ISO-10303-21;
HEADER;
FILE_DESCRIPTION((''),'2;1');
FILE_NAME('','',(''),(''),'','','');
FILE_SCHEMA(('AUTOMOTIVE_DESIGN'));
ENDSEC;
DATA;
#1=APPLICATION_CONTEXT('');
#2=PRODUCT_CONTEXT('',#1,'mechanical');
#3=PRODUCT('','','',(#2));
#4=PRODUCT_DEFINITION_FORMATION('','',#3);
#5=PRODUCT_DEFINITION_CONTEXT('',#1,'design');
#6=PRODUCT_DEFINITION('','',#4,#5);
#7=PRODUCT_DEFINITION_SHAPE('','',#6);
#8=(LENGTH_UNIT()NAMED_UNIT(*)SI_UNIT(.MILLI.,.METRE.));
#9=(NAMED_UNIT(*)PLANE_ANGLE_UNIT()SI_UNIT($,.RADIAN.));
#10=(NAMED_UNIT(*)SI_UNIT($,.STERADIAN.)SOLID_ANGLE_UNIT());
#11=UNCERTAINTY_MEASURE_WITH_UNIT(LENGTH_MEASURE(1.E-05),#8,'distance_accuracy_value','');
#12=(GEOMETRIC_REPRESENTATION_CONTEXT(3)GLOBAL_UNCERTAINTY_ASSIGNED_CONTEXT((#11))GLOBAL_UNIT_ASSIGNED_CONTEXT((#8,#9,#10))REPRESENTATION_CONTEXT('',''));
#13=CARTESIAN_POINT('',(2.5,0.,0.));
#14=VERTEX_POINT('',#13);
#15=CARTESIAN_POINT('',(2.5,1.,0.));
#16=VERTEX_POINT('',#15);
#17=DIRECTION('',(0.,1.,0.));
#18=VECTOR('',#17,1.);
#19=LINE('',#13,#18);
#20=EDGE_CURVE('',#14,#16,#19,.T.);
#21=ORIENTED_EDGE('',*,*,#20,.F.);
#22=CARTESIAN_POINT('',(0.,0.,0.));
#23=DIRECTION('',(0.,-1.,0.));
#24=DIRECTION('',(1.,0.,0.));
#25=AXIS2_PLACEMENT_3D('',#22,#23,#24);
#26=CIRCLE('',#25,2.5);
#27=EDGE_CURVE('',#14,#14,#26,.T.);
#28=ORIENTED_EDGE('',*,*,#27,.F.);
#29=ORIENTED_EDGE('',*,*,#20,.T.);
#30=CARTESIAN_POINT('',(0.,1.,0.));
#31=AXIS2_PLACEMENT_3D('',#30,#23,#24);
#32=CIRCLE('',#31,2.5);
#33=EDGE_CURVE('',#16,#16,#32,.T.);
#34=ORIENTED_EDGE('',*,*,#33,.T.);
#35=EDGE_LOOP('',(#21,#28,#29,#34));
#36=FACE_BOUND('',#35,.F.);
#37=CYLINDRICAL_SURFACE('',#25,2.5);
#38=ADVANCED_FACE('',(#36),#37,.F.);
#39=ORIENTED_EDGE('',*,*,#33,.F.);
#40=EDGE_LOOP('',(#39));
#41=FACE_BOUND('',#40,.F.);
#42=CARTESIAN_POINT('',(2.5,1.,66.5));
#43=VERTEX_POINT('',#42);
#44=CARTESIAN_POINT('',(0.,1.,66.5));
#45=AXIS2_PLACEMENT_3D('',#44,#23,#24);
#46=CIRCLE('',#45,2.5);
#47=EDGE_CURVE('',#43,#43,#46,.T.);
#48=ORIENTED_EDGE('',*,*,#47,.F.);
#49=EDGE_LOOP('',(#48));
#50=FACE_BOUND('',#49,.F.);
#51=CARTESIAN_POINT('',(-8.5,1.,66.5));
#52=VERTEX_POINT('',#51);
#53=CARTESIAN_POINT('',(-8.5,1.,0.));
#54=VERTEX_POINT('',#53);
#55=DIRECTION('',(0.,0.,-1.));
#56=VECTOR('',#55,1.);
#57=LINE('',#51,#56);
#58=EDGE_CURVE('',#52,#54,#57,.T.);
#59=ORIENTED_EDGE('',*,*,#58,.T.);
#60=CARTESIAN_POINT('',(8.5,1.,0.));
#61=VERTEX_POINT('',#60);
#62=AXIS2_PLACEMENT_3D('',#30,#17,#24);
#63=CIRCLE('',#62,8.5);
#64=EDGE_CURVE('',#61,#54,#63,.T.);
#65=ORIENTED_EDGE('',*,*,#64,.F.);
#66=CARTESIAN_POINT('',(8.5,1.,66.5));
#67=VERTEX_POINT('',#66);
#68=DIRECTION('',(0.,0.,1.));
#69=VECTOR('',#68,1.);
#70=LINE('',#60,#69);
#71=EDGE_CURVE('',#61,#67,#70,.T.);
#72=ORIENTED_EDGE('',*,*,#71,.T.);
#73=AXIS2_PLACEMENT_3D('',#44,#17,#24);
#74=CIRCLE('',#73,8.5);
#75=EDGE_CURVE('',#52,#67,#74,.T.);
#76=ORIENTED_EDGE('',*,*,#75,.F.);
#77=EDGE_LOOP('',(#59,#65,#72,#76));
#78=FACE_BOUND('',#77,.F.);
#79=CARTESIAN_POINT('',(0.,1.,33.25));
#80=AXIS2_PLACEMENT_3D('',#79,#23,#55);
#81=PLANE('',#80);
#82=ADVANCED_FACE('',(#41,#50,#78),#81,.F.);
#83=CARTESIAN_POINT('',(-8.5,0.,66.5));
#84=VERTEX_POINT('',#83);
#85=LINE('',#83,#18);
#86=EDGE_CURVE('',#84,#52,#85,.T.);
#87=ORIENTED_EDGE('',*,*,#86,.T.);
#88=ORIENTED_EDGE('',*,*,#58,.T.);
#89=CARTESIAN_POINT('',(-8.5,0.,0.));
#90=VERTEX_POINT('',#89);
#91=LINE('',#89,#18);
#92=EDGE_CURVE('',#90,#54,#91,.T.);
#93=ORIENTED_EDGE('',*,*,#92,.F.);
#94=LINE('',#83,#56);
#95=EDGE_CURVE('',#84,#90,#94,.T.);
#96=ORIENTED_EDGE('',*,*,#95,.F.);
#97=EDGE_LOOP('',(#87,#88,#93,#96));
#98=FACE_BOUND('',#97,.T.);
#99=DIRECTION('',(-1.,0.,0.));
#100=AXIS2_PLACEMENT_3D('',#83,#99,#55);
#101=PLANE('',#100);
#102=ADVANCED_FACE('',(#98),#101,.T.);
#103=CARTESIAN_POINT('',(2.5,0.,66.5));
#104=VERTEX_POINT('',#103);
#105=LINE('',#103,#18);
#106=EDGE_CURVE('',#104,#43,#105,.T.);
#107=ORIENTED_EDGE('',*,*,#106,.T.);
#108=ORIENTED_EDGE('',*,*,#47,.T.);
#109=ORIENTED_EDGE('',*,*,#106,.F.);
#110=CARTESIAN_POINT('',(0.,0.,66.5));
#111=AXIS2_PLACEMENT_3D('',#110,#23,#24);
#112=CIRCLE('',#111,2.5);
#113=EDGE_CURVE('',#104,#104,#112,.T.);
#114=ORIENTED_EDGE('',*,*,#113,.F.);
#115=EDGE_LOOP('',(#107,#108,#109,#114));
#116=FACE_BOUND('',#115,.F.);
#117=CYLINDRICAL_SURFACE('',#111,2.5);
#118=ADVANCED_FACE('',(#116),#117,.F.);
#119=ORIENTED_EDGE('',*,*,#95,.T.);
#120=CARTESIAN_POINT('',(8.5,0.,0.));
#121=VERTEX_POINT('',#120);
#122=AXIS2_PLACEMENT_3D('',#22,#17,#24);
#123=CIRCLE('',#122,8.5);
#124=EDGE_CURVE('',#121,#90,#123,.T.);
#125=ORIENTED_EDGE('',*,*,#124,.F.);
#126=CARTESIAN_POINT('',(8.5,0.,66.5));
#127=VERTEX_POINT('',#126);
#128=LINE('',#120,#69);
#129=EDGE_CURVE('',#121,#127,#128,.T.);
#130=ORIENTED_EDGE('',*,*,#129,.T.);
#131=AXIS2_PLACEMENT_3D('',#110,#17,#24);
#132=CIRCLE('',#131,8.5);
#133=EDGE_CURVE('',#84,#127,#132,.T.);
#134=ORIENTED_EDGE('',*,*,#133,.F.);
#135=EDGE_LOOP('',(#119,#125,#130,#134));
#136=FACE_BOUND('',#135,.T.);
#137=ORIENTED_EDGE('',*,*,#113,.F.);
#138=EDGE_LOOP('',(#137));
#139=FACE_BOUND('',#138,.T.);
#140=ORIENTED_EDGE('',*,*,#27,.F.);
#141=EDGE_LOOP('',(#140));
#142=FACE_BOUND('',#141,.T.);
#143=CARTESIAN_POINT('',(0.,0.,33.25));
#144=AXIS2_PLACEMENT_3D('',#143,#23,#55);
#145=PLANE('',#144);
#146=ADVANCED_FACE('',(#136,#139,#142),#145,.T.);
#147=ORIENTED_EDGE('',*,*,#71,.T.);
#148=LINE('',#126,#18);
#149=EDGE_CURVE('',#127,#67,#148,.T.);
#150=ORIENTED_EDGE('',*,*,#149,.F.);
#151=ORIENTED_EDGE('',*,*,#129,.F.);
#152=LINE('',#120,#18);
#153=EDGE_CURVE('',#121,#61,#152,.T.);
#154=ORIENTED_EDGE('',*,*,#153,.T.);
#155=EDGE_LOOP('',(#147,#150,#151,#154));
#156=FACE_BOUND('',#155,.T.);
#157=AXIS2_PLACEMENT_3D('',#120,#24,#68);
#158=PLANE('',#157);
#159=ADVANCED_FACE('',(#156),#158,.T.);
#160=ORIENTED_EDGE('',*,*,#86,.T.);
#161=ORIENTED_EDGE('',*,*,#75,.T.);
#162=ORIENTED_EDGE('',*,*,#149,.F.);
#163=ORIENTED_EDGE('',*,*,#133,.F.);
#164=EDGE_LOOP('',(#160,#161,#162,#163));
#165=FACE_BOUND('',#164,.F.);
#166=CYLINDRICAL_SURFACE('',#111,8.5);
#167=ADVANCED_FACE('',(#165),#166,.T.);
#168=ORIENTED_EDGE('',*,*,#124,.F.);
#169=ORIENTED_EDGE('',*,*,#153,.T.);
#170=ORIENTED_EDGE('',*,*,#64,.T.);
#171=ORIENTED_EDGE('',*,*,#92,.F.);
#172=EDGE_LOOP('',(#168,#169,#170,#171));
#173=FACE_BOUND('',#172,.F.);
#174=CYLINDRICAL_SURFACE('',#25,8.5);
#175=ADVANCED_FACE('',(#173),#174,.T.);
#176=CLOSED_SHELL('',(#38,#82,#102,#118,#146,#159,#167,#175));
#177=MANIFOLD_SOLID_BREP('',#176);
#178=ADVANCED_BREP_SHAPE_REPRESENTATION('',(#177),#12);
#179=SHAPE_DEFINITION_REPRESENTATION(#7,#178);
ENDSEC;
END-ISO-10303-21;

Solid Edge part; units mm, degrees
sketch "Sketch1" plane through (0, 0, 0) normal (0, -1, 0) x (1, 0, 0)
  line L0 (8.5, 0) -> (8.5, 66.5)
  line L1 (-8.5, 66.5) -> (-8.5, 0)
  arc A0 (-8.5, 66.5) -> (8.5, 66.5) centre (0, 66.5) cw
  arc A1 (8.5, 0) -> (-8.5, 0) centre (0, 0) cw
  circle A2 centre (0, 66.5) radius 2.5
  circle A3 centre (0, 0) radius 2.5
extrude "Protrusion1" add sketch "Sketch1" against normal blind 1
